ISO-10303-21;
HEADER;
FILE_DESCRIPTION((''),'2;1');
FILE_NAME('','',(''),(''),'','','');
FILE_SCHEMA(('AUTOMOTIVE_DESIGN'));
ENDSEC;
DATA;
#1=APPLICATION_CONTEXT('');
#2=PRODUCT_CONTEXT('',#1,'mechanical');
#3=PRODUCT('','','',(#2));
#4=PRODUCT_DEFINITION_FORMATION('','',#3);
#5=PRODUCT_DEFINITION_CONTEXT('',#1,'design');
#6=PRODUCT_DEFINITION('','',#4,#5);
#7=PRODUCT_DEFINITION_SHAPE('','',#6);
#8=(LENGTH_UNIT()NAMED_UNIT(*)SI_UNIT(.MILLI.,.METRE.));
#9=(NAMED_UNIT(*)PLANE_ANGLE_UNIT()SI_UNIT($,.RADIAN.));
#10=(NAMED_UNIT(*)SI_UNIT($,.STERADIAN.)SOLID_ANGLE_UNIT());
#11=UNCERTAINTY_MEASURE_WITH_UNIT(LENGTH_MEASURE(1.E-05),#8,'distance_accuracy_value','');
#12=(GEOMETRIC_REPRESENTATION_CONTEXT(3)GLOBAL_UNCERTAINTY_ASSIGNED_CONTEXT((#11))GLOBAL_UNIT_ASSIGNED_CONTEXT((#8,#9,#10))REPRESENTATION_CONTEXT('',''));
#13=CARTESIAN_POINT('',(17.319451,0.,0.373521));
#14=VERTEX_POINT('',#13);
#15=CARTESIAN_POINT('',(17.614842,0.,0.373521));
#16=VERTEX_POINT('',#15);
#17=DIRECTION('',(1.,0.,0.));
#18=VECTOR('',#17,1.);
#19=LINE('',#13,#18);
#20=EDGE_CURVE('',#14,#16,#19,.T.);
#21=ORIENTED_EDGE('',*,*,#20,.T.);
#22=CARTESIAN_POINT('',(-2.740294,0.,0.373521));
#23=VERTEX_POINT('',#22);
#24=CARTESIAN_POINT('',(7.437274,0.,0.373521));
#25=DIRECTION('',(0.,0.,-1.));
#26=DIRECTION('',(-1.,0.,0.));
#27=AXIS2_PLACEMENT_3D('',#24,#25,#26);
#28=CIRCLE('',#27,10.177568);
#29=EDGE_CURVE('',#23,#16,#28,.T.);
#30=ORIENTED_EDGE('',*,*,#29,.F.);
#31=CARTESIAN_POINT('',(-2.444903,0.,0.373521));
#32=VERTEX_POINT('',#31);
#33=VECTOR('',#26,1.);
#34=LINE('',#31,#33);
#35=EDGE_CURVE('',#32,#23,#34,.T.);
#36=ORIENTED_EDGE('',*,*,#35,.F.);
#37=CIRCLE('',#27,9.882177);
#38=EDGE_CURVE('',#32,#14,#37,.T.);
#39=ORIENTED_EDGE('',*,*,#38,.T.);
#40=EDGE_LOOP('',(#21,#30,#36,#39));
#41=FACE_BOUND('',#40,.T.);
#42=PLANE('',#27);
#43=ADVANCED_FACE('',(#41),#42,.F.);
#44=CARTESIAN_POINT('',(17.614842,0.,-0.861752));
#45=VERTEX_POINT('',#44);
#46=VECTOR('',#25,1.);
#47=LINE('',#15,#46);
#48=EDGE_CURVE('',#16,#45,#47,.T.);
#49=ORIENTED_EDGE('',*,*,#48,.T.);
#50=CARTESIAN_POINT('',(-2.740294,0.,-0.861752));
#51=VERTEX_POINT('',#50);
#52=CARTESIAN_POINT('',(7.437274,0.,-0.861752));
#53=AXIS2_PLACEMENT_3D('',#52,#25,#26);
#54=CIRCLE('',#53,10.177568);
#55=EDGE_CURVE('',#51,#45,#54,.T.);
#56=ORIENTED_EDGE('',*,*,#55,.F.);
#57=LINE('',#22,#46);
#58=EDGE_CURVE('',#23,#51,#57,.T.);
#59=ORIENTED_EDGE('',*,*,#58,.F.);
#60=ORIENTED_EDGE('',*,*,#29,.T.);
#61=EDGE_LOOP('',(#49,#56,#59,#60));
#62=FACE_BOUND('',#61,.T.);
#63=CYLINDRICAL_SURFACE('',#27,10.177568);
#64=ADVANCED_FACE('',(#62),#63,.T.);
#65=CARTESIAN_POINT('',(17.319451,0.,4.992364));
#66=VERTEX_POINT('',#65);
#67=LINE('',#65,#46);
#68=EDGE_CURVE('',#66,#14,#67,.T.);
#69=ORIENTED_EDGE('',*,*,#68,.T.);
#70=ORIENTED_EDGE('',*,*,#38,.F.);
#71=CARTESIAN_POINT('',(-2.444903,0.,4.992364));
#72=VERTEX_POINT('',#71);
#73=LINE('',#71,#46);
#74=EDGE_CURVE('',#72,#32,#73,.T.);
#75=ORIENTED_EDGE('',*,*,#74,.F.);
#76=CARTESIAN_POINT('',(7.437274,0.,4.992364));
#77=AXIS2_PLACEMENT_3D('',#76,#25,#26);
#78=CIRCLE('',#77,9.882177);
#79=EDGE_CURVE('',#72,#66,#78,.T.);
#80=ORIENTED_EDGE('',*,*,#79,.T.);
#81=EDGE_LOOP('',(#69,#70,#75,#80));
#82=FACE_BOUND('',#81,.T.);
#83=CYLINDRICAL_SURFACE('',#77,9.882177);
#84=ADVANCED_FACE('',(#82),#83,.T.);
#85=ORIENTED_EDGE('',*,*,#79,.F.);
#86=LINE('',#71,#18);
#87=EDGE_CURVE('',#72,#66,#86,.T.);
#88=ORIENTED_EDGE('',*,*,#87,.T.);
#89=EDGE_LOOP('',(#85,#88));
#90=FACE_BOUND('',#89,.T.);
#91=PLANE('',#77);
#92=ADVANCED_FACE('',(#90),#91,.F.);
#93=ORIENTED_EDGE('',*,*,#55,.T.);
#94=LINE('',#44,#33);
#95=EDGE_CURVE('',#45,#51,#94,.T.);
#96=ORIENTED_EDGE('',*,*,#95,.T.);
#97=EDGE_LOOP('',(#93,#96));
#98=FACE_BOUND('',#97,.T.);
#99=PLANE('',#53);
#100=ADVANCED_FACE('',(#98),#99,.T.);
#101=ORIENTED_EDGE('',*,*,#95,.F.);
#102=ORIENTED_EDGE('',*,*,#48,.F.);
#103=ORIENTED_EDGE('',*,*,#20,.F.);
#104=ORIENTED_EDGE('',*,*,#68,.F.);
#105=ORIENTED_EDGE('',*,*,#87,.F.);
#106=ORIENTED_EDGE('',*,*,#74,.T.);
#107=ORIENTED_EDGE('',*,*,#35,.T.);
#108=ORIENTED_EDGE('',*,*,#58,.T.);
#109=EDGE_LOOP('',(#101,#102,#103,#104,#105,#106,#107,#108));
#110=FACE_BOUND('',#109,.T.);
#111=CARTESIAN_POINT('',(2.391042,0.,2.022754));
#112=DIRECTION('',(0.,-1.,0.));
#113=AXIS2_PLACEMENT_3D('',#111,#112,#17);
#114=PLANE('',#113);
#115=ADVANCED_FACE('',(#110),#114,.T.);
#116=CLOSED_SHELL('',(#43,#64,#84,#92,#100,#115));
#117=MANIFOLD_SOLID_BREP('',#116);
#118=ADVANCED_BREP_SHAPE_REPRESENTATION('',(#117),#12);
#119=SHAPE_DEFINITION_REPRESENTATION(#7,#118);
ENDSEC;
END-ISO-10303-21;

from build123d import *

# Parameters (mm, degrees)
F1_ANGLE = 180


with BuildPart() as f1:
    # F0 (on Front) → F1 (revolve)
    with BuildSketch(Plane.XZ):
        Polygon((-2.740294, -0.861752), (7.437274, -0.861752), (7.437274, 4.992364), (-2.444903, 4.992364), (-2.444903, 0.373521), (-2.740294, 0.373521), align=None)
    revolve(axis=Axis((7.437274, 0, 2.065306), (0, 0, -1)), revolution_arc=F1_ANGLE)


solid = f1.part
